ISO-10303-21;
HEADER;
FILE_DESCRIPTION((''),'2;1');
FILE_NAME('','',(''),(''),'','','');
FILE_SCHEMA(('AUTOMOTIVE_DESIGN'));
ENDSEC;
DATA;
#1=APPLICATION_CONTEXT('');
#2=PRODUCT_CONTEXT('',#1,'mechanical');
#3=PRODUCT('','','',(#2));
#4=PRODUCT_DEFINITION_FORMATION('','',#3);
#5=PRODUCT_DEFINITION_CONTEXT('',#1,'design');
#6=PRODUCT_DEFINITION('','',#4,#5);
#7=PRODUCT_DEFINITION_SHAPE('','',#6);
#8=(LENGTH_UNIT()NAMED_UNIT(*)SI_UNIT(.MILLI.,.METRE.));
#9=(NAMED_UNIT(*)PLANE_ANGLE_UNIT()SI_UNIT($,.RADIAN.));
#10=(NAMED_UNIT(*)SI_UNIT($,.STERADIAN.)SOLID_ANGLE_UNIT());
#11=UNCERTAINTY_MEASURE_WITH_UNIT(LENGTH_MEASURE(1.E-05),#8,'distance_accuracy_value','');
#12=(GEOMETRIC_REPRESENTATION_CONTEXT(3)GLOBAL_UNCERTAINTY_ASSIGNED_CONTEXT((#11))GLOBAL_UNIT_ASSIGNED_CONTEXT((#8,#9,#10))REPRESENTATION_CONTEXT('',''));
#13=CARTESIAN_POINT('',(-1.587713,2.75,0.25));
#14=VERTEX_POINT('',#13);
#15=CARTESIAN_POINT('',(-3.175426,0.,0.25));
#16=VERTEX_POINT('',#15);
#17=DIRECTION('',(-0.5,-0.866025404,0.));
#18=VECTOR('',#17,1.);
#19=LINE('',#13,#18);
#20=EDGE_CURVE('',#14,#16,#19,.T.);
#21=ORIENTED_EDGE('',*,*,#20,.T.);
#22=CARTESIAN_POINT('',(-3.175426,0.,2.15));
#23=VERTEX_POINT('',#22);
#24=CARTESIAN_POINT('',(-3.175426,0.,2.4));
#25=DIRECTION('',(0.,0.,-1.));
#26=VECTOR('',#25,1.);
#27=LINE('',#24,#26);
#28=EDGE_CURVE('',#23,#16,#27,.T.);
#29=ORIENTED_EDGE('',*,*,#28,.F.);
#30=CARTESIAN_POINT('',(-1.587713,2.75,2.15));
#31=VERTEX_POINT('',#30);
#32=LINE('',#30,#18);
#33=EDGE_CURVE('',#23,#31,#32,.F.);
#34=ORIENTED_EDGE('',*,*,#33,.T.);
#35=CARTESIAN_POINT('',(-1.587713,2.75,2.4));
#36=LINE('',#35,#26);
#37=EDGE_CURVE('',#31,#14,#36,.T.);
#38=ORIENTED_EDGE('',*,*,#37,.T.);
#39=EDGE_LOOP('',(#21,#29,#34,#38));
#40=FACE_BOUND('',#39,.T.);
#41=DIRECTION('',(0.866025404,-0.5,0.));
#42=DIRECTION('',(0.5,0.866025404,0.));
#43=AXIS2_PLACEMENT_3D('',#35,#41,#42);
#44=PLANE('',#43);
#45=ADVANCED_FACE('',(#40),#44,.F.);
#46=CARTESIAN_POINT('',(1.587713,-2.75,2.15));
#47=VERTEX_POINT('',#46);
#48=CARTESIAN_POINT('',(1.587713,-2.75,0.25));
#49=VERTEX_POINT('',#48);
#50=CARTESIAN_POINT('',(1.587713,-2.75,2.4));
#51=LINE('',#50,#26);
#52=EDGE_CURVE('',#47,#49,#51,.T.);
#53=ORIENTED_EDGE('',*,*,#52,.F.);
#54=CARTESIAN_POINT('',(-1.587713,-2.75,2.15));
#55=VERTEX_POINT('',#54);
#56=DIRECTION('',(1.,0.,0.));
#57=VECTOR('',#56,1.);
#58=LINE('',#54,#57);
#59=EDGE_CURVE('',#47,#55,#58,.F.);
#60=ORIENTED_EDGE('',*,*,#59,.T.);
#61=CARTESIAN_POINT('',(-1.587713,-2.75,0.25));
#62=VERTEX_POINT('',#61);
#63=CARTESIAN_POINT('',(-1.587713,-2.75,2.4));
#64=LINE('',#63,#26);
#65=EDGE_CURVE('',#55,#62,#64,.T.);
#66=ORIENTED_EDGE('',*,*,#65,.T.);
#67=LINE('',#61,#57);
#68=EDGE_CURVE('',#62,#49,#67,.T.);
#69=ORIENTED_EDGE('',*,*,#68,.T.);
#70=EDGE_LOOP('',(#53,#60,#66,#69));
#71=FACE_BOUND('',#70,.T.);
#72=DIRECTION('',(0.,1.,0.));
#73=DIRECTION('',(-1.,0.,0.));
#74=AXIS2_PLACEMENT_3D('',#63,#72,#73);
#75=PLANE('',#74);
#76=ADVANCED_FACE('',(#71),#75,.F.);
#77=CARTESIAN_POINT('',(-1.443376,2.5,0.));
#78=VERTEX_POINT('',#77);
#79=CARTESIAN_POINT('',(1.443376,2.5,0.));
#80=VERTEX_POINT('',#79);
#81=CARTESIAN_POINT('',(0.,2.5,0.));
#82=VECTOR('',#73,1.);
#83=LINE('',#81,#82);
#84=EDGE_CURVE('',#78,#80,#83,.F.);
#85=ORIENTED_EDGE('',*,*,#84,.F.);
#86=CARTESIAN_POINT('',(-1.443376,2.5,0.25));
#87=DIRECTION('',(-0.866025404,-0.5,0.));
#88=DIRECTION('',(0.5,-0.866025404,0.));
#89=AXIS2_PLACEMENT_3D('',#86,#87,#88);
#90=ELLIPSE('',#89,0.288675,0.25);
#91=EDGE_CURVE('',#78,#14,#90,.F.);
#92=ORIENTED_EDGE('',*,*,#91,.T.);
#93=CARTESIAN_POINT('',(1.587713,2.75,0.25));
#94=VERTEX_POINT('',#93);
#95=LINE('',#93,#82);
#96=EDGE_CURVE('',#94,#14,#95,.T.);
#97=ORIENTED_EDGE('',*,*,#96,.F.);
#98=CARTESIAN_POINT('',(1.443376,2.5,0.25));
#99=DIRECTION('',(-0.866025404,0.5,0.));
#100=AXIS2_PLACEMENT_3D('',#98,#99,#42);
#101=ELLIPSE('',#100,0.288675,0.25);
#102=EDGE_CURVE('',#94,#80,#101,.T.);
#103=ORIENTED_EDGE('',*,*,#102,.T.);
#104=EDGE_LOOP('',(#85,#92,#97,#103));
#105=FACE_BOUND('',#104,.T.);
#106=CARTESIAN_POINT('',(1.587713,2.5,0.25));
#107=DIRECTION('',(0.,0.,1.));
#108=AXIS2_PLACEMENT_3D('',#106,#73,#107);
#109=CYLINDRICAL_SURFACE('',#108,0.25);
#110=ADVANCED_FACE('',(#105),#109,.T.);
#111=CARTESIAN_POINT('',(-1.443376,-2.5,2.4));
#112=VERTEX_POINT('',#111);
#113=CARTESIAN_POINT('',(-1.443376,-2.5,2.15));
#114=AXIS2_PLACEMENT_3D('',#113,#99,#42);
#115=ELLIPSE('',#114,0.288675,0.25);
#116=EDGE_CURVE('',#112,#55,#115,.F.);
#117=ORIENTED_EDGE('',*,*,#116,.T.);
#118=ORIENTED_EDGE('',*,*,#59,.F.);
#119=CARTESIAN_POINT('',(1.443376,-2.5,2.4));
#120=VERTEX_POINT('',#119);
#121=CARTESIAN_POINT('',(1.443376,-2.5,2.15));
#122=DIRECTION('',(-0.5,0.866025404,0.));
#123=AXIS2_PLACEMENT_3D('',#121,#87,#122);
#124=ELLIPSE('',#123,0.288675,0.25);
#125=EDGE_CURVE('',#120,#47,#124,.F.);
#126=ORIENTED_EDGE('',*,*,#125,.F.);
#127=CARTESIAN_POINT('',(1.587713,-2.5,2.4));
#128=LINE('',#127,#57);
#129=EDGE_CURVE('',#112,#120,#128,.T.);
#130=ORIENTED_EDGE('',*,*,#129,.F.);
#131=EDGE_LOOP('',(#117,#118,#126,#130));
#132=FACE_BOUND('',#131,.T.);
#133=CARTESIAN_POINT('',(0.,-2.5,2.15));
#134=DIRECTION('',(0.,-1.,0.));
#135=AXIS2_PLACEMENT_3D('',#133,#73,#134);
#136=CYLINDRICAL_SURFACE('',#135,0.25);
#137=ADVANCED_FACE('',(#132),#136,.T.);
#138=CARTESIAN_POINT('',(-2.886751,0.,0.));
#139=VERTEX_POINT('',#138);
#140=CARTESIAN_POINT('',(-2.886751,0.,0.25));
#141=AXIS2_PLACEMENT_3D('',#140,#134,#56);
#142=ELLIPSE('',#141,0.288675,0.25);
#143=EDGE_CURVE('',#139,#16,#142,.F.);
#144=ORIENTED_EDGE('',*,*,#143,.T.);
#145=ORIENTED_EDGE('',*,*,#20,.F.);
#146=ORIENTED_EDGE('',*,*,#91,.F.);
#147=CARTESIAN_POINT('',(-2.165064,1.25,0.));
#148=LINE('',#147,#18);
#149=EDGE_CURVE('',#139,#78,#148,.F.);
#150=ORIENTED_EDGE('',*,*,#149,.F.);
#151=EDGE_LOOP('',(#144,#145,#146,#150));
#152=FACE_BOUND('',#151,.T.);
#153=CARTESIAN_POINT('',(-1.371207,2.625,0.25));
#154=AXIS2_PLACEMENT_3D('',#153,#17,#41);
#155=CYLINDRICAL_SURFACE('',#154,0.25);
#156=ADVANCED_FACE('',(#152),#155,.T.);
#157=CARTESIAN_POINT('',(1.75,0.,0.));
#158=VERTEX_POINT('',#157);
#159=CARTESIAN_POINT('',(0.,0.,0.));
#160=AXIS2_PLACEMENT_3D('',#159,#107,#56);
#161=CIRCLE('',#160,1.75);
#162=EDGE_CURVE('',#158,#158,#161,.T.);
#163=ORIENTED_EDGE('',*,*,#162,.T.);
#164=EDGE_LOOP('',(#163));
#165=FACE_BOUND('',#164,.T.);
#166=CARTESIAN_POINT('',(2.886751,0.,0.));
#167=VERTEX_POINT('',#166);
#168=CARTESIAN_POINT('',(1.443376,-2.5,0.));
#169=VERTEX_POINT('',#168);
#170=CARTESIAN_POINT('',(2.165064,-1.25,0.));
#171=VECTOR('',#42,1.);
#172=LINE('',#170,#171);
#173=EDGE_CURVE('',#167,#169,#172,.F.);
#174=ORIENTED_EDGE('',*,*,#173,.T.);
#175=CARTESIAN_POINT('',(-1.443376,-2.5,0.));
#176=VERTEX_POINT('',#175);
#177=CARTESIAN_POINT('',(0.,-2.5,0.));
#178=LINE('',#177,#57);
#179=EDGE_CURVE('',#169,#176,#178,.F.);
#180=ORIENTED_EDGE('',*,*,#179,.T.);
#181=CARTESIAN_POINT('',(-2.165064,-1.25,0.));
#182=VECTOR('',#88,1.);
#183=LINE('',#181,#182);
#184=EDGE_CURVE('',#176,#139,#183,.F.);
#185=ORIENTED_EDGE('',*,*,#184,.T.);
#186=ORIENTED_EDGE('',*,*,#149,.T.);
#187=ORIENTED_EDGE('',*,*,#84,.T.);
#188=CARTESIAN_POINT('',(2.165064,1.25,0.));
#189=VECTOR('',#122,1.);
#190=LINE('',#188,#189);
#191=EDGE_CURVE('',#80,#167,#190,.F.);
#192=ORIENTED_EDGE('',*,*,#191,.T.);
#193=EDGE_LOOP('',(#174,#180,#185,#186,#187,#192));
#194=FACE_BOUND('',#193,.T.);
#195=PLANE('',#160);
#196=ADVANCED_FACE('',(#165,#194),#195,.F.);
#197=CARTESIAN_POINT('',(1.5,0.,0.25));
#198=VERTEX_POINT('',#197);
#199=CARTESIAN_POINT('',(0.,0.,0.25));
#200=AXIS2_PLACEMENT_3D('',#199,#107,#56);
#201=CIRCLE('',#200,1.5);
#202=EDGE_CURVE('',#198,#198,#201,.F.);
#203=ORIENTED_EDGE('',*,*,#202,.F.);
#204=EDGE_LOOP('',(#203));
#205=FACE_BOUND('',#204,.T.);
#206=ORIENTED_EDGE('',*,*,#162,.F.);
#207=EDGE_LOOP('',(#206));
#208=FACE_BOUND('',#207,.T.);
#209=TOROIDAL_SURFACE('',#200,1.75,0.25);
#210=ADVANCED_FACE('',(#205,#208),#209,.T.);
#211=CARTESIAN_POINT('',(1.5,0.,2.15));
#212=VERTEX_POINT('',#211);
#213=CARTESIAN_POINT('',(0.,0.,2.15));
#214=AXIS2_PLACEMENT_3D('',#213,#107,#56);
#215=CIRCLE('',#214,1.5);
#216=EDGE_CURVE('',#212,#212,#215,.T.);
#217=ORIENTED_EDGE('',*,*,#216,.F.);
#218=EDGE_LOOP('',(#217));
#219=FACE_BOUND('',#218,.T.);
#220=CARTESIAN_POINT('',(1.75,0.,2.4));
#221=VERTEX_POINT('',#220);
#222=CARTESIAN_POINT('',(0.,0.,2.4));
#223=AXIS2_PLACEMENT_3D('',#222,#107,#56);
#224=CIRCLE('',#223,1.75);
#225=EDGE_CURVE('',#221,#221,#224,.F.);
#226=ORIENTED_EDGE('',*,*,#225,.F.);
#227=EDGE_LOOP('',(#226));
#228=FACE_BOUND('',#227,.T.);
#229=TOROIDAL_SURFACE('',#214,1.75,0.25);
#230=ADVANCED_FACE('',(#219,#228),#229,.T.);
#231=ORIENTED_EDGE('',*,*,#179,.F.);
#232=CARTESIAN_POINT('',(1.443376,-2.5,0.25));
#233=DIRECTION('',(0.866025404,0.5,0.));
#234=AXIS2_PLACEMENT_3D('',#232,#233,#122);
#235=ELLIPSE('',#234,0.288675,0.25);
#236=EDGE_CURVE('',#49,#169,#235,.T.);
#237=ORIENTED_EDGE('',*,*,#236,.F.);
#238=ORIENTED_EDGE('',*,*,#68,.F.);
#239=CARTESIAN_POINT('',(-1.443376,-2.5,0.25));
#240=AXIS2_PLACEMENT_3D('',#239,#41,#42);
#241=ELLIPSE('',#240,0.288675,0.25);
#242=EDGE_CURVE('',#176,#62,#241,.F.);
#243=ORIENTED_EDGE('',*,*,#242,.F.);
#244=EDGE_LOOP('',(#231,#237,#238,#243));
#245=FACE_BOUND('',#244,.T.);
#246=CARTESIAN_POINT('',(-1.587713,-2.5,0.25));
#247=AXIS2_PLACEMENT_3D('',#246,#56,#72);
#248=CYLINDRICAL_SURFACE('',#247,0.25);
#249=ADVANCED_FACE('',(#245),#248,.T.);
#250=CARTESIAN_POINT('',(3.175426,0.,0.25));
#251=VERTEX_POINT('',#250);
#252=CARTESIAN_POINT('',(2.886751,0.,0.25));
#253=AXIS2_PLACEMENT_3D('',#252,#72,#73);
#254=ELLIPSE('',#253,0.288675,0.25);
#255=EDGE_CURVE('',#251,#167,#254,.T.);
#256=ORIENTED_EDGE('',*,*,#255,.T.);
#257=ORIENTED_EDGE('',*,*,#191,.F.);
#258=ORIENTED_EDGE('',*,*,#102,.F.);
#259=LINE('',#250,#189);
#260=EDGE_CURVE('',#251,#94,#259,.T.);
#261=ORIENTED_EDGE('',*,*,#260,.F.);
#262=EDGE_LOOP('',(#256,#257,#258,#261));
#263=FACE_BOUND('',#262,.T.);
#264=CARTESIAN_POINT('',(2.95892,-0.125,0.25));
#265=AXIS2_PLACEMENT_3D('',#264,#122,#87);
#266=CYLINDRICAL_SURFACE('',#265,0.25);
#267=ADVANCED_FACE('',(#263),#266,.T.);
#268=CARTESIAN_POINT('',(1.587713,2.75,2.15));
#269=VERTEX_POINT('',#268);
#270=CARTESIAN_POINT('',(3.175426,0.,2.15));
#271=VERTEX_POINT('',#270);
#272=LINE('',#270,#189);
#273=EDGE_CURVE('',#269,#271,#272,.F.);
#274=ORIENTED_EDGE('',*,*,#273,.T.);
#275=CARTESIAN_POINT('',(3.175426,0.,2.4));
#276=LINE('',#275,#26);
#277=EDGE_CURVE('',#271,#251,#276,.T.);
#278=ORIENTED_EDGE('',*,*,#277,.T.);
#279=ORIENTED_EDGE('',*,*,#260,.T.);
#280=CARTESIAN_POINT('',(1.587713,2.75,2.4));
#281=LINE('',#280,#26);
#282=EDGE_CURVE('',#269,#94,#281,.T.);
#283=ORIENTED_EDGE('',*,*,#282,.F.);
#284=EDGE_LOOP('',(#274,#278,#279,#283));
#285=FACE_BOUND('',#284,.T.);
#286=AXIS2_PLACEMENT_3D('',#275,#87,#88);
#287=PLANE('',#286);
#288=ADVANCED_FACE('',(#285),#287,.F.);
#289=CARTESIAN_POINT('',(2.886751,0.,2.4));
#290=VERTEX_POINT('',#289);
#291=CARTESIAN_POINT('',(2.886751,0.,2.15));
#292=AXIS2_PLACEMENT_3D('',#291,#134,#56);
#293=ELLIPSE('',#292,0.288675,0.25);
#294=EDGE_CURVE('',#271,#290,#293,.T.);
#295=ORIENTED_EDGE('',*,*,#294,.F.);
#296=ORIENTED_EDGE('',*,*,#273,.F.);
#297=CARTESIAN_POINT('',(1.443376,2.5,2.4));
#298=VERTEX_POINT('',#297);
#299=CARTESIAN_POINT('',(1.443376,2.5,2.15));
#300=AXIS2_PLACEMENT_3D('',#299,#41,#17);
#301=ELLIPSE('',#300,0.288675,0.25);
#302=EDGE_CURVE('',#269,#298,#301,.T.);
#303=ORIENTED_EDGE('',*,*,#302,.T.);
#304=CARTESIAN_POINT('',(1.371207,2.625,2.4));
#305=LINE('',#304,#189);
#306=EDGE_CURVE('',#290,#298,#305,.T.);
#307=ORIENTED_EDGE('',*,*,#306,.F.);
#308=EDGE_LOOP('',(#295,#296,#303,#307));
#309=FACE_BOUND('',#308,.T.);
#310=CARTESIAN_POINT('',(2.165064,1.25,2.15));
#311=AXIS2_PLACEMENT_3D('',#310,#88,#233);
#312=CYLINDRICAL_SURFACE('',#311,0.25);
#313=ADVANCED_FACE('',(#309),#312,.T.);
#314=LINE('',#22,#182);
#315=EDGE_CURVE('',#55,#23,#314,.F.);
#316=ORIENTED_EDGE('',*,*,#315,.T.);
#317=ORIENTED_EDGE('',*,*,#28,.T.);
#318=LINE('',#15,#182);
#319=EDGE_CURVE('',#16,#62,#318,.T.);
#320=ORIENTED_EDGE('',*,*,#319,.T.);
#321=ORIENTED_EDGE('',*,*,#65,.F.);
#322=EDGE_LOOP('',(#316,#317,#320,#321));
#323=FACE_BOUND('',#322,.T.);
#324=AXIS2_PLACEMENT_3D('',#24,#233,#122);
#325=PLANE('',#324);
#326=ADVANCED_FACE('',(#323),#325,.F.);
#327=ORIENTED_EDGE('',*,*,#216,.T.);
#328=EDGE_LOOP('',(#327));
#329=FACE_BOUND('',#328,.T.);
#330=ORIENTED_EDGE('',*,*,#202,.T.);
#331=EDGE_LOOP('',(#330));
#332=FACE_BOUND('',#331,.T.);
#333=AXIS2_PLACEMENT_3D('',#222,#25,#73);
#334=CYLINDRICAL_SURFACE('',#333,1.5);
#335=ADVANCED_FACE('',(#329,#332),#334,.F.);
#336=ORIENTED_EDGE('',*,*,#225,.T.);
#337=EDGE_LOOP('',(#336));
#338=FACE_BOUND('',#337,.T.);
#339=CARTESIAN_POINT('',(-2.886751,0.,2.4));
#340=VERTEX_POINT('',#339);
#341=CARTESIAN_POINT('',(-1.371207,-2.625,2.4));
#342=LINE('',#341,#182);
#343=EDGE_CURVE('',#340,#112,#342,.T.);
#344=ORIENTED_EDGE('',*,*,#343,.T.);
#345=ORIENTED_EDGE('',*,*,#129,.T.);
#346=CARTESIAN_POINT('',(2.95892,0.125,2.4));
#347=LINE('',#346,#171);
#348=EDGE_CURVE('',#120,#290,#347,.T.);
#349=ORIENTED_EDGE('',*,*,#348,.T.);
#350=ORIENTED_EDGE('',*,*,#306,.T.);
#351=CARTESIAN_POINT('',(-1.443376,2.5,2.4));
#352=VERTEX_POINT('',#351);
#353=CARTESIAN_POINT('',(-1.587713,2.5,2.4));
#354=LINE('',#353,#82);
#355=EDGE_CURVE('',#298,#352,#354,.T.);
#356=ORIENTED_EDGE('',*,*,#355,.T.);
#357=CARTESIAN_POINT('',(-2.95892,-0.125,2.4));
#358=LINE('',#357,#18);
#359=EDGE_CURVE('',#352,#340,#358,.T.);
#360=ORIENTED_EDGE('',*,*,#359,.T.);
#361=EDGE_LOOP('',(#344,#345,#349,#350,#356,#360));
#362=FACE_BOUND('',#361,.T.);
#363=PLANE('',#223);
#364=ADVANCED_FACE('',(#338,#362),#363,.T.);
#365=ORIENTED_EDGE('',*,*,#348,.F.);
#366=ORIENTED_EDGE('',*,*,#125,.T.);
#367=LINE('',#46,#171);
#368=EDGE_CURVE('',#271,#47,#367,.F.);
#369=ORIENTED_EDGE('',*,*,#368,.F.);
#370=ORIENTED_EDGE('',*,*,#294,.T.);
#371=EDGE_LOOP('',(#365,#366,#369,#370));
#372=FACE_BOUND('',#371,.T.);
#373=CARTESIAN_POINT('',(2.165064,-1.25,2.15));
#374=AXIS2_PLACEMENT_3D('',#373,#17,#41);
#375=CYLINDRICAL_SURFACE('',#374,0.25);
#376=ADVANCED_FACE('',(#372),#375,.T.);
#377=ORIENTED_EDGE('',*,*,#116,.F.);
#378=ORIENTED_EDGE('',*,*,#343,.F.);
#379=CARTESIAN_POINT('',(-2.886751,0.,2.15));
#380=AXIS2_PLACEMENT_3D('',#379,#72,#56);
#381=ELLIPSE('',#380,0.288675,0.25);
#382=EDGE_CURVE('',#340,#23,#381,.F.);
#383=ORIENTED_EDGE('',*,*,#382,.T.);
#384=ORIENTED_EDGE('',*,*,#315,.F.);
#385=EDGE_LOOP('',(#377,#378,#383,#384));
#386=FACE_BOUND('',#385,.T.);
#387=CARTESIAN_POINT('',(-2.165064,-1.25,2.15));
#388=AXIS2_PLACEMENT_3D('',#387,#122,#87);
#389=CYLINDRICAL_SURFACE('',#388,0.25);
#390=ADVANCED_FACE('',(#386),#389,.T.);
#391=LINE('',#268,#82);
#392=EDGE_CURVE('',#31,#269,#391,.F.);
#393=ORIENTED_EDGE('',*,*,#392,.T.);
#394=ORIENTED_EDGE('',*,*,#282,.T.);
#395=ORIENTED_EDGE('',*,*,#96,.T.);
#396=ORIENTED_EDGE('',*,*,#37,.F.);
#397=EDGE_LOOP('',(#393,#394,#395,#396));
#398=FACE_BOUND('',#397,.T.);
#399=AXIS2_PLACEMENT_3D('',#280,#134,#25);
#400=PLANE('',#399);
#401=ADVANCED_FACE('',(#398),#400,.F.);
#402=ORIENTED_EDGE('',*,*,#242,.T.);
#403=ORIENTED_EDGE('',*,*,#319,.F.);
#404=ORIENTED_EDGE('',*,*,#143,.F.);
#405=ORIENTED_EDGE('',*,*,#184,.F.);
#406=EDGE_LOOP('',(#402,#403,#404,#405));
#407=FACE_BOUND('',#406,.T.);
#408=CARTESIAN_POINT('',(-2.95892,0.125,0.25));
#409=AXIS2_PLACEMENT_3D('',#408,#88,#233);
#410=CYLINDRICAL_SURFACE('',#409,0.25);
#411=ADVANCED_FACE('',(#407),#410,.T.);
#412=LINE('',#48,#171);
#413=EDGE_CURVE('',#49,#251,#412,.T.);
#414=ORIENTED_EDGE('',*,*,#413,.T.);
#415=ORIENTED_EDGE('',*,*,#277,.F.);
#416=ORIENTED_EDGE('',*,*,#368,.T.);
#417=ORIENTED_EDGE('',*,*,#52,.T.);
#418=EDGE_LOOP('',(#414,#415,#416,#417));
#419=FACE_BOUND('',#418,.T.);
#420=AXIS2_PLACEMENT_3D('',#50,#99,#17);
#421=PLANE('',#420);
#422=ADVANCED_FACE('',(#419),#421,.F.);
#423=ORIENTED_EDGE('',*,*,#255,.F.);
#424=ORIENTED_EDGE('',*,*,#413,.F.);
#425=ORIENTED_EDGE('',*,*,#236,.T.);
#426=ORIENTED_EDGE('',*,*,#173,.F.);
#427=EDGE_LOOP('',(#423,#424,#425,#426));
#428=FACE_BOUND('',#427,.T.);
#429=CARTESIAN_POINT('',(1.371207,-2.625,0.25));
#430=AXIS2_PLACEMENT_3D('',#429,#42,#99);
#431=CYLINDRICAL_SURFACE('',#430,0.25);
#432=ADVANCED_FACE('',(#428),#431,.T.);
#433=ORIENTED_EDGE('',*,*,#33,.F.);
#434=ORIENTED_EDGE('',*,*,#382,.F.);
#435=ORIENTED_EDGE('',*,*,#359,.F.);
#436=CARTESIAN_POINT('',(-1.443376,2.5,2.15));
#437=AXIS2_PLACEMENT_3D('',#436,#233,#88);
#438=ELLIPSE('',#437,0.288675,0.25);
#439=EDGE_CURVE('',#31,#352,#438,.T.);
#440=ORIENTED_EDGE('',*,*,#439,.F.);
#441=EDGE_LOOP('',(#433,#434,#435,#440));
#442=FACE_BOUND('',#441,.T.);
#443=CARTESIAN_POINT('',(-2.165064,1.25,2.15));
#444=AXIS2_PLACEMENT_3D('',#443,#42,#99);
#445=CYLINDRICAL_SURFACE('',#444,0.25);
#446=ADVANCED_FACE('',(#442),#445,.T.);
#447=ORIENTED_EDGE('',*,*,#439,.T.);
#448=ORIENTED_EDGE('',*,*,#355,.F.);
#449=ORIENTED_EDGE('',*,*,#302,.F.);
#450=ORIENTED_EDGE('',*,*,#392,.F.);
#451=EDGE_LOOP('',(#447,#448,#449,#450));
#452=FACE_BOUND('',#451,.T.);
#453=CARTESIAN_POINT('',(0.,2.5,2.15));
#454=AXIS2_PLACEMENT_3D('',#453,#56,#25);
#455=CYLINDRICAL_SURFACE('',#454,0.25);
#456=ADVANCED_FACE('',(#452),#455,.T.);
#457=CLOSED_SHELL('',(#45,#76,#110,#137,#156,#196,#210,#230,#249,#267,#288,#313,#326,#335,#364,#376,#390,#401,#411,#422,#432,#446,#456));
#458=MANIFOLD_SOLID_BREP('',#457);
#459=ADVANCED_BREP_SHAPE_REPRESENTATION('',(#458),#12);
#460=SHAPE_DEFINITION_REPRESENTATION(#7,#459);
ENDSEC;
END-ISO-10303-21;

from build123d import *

# Parameters (mm, degrees)
SKETCH_1_R      = 1.5
EXTRUDE_1_DEPTH = 2.4
FILLET_1_R      = 0.25


with BuildPart() as part:
    # Эскиз1 → Бобышка-Вытянуть1 (new body)
    with BuildSketch(Plane.XY):
        Polygon((1.58771324, 2.75), (-1.58771324, 2.75), (-3.175426481, 0), (-1.58771324, -2.75), (1.58771324, -2.75), (3.175426481, 0), align=None)
        Circle(SKETCH_1_R, mode=Mode.SUBTRACT)
    extrude(amount=EXTRUDE_1_DEPTH)

    # Скругление1
    fillet_1_edges = [part.edges().sort_by_distance(p)[0] for p in [
        (-2.38156986, 1.375, 2.4),
        (-2.38156986, -1.375, 2.4),
        (-1.5, 0, 0),
        (-1.5, 0, 2.4),
        (0, -2.75, 2.4),
        (2.38156986, -1.375, 2.4),
        (2.38156986, 1.375, 2.4),
        (2.38156986, -1.375, 0),
        (0, -2.75, 0),
        (-2.38156986, -1.375, 0),
        (-2.38156986, 1.375, 0),
        (0, 2.75, 0),
        (2.38156986, 1.375, 0),
        (0, 2.75, 2.4),
    ]]
    fillet(fillet_1_edges, radius=FILLET_1_R)


solid = part.part
